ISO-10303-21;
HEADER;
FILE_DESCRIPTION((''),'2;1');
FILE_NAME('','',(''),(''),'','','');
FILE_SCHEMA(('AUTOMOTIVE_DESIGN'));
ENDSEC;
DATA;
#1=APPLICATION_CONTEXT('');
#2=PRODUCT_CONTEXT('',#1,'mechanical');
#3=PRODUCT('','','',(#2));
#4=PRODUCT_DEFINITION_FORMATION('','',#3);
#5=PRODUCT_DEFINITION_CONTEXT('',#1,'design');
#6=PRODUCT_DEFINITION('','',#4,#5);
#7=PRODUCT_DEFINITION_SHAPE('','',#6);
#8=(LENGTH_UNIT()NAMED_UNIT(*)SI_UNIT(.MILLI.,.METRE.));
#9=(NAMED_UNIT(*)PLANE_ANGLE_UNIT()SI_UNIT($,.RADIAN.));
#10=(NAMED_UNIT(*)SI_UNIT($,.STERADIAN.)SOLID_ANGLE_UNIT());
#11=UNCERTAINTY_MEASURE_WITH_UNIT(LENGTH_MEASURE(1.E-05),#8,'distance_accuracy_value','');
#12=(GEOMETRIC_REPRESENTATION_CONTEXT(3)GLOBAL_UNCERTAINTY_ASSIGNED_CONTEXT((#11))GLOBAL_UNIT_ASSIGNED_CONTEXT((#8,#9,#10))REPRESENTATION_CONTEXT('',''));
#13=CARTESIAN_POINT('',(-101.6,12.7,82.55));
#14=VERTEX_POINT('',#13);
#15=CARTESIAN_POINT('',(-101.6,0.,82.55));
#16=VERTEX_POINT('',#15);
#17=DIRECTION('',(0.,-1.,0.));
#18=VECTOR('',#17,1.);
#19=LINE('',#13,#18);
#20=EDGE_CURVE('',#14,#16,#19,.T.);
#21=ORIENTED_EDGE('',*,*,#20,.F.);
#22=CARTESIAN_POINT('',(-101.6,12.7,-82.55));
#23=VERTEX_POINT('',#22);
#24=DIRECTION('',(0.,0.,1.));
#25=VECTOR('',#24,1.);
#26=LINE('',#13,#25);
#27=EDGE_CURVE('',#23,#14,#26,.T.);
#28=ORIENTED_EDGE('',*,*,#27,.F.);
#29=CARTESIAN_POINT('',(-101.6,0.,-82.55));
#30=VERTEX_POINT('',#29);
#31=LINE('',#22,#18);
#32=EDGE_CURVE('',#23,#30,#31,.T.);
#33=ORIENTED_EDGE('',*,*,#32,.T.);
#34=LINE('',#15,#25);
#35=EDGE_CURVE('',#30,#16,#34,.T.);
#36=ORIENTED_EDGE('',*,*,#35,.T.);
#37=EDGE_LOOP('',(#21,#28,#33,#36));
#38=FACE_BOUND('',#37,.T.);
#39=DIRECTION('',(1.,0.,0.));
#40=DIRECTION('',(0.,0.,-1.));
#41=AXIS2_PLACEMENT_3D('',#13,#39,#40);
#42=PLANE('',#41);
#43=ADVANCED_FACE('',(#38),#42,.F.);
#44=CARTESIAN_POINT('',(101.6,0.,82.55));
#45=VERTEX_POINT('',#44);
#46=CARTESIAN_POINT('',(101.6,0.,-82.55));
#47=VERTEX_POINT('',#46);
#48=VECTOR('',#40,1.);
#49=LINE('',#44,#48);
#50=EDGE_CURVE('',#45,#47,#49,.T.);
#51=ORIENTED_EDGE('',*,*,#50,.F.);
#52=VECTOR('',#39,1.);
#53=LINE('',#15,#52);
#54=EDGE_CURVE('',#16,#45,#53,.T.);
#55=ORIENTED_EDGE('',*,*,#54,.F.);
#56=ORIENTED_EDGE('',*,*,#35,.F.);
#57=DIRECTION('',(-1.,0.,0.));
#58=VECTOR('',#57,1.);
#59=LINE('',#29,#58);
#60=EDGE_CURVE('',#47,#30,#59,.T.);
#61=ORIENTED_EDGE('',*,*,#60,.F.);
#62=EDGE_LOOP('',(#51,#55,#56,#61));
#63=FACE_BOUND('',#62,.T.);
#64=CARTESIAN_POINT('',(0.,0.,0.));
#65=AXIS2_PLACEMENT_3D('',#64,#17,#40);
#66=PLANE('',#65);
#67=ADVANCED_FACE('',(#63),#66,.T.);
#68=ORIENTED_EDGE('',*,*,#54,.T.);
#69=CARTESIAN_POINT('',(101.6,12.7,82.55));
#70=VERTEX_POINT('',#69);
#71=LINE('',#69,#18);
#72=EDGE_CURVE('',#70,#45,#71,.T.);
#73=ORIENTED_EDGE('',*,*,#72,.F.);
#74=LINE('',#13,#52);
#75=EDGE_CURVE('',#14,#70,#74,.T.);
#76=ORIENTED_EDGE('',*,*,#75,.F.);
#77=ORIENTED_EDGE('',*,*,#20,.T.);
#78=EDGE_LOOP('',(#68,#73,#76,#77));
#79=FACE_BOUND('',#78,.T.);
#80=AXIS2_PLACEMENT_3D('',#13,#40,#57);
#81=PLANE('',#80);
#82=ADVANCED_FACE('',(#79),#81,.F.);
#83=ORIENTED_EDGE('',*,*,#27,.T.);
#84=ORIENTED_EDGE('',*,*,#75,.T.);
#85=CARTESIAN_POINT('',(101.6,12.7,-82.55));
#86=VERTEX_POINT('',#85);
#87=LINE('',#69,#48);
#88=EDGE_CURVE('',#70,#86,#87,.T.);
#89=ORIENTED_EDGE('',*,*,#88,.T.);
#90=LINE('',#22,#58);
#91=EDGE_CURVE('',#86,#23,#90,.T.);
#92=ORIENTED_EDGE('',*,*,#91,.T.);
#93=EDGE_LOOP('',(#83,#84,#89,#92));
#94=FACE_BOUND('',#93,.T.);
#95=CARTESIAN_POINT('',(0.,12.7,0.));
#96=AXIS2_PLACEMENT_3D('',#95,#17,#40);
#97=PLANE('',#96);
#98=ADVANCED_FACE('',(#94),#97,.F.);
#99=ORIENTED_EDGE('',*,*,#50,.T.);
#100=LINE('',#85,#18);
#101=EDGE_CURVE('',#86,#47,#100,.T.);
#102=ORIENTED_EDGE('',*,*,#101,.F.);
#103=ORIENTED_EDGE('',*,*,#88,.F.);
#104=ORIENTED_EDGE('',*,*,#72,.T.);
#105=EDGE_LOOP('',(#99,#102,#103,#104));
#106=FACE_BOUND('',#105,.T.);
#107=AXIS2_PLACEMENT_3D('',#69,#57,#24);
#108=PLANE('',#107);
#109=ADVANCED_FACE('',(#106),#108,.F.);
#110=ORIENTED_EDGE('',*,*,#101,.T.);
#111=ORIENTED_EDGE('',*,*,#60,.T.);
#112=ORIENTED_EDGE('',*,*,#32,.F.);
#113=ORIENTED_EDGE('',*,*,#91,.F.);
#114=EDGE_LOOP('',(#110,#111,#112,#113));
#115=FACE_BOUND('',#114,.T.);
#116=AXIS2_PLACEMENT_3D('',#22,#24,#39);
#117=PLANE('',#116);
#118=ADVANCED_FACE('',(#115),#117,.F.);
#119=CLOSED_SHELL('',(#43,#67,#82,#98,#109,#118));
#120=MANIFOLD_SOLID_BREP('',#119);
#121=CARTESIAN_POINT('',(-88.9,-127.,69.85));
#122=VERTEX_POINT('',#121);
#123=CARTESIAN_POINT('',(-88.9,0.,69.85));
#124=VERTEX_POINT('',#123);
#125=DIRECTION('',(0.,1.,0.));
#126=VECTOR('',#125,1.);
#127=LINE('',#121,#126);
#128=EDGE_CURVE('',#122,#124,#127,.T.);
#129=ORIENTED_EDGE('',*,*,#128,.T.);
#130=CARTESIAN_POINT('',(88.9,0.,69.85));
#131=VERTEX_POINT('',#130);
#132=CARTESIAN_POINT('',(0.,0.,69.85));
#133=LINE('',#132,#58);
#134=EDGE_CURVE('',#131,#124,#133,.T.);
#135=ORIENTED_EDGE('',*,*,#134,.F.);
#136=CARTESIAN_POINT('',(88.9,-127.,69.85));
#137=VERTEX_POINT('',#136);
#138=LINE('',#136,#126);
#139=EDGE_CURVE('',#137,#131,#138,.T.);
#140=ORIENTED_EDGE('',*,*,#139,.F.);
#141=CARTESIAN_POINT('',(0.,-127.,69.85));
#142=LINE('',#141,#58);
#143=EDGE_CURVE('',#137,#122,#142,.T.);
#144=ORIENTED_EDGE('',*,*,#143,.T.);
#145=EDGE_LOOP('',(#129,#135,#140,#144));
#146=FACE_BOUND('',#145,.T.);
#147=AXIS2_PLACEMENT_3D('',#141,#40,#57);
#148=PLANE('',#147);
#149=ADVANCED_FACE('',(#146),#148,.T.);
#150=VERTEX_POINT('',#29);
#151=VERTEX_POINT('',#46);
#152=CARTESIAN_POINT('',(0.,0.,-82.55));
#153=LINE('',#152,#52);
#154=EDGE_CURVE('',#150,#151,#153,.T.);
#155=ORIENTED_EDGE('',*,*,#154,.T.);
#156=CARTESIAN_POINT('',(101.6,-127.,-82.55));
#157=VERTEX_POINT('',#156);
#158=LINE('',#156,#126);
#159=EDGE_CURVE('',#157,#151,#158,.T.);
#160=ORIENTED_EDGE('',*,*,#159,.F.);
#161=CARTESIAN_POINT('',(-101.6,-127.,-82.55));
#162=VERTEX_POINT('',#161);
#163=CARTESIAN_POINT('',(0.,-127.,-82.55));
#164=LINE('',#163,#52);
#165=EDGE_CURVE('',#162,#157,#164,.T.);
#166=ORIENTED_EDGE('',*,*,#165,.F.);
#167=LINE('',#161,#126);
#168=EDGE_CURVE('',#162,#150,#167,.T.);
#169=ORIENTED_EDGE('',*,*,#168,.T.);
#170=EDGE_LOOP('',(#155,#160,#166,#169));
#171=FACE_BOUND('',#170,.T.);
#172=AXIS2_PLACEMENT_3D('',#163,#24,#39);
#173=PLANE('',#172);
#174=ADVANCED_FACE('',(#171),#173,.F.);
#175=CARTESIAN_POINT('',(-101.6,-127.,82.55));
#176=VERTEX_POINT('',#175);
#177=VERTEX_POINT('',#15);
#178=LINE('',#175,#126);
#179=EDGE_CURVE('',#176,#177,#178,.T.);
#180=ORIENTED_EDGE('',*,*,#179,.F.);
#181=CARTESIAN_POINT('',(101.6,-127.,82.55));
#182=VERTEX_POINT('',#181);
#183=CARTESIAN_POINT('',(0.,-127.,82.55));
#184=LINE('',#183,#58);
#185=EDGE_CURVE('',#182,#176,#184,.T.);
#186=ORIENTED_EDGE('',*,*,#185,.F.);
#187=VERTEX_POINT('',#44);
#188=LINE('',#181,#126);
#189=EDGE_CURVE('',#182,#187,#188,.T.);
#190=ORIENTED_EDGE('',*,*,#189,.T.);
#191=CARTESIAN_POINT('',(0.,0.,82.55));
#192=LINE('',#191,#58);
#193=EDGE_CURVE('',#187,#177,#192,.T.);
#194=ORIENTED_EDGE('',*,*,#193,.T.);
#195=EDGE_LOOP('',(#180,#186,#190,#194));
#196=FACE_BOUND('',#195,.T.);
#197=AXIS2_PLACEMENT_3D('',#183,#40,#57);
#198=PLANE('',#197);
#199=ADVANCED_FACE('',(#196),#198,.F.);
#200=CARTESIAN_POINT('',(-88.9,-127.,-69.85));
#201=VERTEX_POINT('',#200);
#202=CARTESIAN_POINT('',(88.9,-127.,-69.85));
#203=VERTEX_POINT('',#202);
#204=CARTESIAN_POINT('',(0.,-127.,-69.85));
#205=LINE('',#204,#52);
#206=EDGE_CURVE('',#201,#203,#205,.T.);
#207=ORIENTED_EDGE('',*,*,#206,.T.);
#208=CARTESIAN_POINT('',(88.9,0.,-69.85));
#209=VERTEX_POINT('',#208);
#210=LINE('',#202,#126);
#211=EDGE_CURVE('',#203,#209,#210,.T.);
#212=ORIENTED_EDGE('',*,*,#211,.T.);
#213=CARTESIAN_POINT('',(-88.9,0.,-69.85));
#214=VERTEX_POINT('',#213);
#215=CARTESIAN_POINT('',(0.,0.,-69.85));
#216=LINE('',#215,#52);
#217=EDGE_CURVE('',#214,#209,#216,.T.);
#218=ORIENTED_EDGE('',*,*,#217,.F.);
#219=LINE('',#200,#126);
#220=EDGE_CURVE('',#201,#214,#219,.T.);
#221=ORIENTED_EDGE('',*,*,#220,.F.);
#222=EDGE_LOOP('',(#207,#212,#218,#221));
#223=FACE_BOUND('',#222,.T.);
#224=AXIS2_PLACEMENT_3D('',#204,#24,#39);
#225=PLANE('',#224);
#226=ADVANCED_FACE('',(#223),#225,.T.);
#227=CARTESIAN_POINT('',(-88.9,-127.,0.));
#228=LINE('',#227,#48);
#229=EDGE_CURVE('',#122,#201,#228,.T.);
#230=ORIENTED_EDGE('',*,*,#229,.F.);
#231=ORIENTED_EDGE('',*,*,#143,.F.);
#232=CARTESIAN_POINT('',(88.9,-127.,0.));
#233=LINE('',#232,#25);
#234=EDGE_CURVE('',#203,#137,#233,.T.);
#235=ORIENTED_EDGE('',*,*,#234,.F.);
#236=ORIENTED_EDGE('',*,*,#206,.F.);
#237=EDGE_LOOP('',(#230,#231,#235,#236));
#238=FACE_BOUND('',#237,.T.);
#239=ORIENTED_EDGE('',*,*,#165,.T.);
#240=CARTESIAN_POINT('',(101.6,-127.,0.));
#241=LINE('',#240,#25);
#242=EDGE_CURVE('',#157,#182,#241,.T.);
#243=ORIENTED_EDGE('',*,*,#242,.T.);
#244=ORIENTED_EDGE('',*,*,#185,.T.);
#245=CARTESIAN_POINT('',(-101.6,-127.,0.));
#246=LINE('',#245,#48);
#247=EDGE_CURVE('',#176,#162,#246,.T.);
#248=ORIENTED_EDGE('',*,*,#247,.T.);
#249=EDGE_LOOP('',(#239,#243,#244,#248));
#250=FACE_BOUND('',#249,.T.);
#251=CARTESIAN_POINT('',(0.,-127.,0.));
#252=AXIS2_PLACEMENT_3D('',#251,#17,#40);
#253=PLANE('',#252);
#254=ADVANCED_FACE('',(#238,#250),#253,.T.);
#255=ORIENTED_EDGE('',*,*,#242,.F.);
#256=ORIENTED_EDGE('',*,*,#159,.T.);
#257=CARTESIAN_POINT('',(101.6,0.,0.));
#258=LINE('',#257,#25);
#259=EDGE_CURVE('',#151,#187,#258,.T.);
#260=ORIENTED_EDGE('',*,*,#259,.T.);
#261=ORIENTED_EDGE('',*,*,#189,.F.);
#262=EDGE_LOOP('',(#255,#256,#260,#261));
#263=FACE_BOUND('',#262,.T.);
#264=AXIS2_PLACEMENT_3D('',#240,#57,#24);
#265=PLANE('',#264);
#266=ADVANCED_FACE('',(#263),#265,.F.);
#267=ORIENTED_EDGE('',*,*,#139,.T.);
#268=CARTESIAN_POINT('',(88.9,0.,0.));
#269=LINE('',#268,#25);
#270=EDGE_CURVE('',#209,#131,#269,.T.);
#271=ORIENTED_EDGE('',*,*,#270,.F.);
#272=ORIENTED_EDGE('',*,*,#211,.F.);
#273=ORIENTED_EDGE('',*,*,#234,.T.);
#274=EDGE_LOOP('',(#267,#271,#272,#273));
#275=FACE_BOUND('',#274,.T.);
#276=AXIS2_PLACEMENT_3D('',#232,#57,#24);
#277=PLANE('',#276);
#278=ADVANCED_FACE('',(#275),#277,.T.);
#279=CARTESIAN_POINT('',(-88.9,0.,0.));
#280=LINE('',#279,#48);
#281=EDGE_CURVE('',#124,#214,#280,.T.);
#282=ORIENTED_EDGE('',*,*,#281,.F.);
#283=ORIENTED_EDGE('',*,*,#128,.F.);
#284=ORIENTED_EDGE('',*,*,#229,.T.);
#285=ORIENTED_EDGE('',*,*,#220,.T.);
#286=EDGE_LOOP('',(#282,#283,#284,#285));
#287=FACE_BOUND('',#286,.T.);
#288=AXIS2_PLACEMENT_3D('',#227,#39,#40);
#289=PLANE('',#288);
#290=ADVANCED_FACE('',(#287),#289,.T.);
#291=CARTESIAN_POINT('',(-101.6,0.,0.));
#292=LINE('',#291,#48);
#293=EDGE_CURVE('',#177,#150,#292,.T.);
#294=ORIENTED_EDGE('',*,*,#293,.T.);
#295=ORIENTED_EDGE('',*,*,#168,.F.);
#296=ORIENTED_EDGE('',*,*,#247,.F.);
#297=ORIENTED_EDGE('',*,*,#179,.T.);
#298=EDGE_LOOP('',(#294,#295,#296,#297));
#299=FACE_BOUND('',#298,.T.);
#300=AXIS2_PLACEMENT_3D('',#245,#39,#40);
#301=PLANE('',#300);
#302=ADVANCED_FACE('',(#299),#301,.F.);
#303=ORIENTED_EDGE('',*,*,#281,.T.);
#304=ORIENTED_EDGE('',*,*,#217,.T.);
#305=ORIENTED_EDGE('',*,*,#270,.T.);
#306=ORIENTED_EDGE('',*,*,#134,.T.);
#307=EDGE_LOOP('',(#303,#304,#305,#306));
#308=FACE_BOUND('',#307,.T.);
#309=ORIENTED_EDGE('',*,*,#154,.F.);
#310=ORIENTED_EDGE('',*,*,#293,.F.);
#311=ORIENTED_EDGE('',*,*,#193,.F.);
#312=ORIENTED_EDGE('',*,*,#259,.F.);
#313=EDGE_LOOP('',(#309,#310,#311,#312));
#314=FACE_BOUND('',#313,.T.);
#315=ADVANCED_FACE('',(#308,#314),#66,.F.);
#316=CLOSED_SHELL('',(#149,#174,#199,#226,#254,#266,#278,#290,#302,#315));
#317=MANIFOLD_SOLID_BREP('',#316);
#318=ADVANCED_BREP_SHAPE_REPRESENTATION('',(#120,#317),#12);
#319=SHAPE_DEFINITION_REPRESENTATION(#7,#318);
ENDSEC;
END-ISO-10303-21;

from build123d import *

# Parameters (mm, degrees)
SKETCH1_W           = 203.2
SKETCH1_H           = 165.1
BOSS_EXTRUDE1_DEPTH = 12.7
SKETCH2_W           = 203.2
SKETCH2_H           = 165.1
SKETCH2_W_2         = 177.8
SKETCH2_H_2         = 139.7
BOSS_EXTRUDE2_DEPTH = 127


with BuildPart() as part:
    # Sketch1 → Boss-Extrude1 (new body)
    with BuildSketch(Plane(origin=(0, 0, 0), x_dir=(1, 0, 0), z_dir=(0, 1, 0))):
        Rectangle(SKETCH1_W, SKETCH1_H)
    extrude(amount=BOSS_EXTRUDE1_DEPTH)


with BuildPart() as body_2:
    # Sketch2 → Boss-Extrude2 (new body)
    with BuildSketch(Plane.XZ):
        Rectangle(SKETCH2_W, SKETCH2_H)
        Rectangle(SKETCH2_W_2, SKETCH2_H_2, mode=Mode.SUBTRACT)
    extrude(amount=BOSS_EXTRUDE2_DEPTH)


solid = Compound([part.part, body_2.part])
